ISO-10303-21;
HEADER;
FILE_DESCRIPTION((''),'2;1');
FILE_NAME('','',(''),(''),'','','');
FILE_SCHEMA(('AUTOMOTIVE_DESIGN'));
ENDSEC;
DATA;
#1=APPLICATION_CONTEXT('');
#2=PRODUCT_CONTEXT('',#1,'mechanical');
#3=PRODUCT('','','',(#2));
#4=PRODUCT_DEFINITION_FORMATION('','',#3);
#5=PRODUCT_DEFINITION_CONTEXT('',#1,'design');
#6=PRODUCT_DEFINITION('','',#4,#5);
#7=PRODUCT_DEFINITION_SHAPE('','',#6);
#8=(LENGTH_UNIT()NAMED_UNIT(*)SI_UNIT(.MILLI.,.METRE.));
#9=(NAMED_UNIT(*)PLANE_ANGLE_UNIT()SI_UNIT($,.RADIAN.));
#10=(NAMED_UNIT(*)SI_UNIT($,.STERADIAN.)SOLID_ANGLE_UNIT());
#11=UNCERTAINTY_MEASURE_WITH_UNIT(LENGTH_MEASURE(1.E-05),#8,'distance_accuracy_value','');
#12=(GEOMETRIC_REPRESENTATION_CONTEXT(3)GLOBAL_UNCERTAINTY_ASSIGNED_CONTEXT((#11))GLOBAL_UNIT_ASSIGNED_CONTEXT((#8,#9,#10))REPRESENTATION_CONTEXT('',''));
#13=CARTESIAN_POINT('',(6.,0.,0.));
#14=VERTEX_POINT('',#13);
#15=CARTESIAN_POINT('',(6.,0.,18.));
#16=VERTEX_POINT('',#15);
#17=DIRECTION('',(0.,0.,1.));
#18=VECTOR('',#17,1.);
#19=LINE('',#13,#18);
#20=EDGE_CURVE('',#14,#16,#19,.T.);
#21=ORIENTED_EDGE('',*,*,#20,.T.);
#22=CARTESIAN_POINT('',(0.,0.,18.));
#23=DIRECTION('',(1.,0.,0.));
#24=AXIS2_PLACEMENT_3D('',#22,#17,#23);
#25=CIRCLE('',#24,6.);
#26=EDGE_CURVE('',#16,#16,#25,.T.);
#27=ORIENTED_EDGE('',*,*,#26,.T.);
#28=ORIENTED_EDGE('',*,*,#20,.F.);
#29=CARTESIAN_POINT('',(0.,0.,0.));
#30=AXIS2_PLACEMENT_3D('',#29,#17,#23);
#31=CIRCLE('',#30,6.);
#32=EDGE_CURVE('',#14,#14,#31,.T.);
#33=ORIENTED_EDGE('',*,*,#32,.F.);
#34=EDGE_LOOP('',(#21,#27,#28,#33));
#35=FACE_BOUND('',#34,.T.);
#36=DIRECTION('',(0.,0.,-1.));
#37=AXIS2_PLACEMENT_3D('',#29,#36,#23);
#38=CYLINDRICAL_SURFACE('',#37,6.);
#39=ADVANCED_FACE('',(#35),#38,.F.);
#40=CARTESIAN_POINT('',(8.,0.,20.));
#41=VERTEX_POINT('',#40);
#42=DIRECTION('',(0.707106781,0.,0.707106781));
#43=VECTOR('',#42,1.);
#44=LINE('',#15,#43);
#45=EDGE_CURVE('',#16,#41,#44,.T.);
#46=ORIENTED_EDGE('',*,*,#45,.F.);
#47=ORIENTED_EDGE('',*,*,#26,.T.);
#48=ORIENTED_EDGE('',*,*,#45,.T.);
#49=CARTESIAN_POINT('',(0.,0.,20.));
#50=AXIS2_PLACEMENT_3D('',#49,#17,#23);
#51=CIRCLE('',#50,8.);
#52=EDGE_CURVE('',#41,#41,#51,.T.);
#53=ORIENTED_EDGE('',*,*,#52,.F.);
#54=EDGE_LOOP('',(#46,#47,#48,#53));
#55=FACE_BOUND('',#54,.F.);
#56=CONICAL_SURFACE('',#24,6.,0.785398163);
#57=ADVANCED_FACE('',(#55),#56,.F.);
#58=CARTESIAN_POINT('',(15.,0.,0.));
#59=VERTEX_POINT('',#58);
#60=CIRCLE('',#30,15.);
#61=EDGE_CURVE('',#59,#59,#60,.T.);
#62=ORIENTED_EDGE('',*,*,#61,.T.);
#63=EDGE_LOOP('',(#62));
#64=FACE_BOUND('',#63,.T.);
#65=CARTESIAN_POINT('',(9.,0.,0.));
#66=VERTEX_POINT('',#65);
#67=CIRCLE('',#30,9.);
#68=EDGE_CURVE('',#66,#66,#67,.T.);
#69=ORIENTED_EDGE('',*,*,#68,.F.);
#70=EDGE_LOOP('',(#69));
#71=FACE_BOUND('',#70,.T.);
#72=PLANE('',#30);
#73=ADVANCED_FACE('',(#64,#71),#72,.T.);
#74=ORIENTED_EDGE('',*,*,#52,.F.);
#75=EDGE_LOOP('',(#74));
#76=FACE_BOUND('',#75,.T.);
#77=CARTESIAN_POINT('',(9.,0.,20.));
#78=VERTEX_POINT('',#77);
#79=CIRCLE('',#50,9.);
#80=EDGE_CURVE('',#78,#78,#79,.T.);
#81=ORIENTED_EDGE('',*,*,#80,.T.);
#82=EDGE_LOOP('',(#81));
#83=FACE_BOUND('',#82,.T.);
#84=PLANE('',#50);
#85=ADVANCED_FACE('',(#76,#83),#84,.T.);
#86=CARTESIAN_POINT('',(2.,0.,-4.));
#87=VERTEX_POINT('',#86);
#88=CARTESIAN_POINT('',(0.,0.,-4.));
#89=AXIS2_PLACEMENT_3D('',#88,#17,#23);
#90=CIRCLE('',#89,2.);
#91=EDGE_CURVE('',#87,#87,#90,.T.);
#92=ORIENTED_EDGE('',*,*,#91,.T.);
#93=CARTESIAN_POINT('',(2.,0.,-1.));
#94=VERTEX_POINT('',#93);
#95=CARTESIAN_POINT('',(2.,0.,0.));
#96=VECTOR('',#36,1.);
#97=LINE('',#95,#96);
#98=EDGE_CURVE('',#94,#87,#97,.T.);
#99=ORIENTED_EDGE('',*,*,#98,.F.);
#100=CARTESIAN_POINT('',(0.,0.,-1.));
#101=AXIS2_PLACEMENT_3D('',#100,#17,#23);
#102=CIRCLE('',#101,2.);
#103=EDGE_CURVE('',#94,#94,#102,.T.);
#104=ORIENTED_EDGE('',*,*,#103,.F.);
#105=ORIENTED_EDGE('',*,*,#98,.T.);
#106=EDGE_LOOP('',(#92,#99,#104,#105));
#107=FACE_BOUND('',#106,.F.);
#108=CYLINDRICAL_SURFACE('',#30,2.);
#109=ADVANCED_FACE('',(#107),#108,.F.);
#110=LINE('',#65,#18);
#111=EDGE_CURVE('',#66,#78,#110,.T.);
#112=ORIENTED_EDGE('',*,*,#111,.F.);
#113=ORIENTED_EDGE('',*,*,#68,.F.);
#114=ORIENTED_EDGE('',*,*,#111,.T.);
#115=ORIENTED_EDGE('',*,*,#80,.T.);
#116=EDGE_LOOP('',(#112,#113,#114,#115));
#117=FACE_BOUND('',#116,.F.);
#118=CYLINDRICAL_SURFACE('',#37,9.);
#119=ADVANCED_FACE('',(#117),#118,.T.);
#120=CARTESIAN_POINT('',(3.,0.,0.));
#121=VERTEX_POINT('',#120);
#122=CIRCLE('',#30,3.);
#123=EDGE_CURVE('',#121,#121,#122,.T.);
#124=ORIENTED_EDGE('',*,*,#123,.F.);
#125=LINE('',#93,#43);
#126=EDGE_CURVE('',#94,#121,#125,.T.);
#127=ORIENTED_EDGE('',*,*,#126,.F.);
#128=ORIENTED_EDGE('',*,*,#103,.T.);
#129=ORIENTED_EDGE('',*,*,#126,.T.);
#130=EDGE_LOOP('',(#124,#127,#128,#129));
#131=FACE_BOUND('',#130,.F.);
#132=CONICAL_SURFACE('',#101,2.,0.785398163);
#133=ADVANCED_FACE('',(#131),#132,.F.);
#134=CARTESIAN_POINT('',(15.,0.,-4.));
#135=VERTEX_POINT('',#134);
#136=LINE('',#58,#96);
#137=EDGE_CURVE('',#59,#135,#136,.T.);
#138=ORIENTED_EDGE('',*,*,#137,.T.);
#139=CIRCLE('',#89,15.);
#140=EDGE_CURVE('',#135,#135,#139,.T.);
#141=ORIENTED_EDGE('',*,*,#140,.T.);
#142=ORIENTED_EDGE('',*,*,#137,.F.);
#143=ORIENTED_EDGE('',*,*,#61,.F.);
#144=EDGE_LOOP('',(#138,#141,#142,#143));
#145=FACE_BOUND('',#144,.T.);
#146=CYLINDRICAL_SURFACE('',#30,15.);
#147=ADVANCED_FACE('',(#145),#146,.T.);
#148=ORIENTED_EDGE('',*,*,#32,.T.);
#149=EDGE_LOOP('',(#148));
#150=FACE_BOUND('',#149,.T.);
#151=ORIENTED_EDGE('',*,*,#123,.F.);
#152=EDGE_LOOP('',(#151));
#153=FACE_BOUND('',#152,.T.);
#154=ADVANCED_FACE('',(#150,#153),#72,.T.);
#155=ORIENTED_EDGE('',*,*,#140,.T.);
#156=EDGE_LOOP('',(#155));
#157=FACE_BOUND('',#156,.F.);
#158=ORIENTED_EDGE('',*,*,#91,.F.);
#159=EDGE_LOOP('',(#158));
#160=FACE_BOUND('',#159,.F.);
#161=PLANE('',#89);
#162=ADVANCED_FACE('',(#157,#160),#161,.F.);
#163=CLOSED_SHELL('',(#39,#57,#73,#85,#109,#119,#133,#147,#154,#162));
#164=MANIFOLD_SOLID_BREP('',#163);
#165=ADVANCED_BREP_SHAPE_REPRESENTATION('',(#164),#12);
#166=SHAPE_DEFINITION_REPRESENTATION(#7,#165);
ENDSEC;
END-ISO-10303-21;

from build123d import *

# Parameters (mm, degrees)
F0_R     = 15
F0_R_2   = 9
F0_R_3   = 6
F0_R_4   = 2
F1_DEPTH = 4
F2_DEPTH = 20
F3_SIZE  = 1
F4_SIZE  = 2


with BuildPart() as f1:
    # F0 (on Top) → F1 (new body)
    with BuildSketch(Plane.XY):
        Circle(F0_R)
        Circle(F0_R_2, mode=Mode.SUBTRACT)
        Circle(F0_R_2)
        Circle(F0_R_3, mode=Mode.SUBTRACT)
        Circle(F0_R_3)
        Circle(F0_R_4, mode=Mode.SUBTRACT)
    extrude(amount=-F1_DEPTH)

    # F0 (on Top) → F2 (join)
    with BuildSketch(Plane.XY):
        Circle(F0_R_2)
        Circle(F0_R_3, mode=Mode.SUBTRACT)
    extrude(amount=F2_DEPTH)

    # F3
    f3_edges = [f1.edges().sort_by_distance(p)[0] for p in [
        (-2, 0, 0),
    ]]
    chamfer(f3_edges, length=F3_SIZE)

    # F4
    f4_edges = [f1.edges().sort_by_distance(p)[0] for p in [
        (-6, 0, 20),
    ]]
    chamfer(f4_edges, length=F4_SIZE)


solid = f1.part
